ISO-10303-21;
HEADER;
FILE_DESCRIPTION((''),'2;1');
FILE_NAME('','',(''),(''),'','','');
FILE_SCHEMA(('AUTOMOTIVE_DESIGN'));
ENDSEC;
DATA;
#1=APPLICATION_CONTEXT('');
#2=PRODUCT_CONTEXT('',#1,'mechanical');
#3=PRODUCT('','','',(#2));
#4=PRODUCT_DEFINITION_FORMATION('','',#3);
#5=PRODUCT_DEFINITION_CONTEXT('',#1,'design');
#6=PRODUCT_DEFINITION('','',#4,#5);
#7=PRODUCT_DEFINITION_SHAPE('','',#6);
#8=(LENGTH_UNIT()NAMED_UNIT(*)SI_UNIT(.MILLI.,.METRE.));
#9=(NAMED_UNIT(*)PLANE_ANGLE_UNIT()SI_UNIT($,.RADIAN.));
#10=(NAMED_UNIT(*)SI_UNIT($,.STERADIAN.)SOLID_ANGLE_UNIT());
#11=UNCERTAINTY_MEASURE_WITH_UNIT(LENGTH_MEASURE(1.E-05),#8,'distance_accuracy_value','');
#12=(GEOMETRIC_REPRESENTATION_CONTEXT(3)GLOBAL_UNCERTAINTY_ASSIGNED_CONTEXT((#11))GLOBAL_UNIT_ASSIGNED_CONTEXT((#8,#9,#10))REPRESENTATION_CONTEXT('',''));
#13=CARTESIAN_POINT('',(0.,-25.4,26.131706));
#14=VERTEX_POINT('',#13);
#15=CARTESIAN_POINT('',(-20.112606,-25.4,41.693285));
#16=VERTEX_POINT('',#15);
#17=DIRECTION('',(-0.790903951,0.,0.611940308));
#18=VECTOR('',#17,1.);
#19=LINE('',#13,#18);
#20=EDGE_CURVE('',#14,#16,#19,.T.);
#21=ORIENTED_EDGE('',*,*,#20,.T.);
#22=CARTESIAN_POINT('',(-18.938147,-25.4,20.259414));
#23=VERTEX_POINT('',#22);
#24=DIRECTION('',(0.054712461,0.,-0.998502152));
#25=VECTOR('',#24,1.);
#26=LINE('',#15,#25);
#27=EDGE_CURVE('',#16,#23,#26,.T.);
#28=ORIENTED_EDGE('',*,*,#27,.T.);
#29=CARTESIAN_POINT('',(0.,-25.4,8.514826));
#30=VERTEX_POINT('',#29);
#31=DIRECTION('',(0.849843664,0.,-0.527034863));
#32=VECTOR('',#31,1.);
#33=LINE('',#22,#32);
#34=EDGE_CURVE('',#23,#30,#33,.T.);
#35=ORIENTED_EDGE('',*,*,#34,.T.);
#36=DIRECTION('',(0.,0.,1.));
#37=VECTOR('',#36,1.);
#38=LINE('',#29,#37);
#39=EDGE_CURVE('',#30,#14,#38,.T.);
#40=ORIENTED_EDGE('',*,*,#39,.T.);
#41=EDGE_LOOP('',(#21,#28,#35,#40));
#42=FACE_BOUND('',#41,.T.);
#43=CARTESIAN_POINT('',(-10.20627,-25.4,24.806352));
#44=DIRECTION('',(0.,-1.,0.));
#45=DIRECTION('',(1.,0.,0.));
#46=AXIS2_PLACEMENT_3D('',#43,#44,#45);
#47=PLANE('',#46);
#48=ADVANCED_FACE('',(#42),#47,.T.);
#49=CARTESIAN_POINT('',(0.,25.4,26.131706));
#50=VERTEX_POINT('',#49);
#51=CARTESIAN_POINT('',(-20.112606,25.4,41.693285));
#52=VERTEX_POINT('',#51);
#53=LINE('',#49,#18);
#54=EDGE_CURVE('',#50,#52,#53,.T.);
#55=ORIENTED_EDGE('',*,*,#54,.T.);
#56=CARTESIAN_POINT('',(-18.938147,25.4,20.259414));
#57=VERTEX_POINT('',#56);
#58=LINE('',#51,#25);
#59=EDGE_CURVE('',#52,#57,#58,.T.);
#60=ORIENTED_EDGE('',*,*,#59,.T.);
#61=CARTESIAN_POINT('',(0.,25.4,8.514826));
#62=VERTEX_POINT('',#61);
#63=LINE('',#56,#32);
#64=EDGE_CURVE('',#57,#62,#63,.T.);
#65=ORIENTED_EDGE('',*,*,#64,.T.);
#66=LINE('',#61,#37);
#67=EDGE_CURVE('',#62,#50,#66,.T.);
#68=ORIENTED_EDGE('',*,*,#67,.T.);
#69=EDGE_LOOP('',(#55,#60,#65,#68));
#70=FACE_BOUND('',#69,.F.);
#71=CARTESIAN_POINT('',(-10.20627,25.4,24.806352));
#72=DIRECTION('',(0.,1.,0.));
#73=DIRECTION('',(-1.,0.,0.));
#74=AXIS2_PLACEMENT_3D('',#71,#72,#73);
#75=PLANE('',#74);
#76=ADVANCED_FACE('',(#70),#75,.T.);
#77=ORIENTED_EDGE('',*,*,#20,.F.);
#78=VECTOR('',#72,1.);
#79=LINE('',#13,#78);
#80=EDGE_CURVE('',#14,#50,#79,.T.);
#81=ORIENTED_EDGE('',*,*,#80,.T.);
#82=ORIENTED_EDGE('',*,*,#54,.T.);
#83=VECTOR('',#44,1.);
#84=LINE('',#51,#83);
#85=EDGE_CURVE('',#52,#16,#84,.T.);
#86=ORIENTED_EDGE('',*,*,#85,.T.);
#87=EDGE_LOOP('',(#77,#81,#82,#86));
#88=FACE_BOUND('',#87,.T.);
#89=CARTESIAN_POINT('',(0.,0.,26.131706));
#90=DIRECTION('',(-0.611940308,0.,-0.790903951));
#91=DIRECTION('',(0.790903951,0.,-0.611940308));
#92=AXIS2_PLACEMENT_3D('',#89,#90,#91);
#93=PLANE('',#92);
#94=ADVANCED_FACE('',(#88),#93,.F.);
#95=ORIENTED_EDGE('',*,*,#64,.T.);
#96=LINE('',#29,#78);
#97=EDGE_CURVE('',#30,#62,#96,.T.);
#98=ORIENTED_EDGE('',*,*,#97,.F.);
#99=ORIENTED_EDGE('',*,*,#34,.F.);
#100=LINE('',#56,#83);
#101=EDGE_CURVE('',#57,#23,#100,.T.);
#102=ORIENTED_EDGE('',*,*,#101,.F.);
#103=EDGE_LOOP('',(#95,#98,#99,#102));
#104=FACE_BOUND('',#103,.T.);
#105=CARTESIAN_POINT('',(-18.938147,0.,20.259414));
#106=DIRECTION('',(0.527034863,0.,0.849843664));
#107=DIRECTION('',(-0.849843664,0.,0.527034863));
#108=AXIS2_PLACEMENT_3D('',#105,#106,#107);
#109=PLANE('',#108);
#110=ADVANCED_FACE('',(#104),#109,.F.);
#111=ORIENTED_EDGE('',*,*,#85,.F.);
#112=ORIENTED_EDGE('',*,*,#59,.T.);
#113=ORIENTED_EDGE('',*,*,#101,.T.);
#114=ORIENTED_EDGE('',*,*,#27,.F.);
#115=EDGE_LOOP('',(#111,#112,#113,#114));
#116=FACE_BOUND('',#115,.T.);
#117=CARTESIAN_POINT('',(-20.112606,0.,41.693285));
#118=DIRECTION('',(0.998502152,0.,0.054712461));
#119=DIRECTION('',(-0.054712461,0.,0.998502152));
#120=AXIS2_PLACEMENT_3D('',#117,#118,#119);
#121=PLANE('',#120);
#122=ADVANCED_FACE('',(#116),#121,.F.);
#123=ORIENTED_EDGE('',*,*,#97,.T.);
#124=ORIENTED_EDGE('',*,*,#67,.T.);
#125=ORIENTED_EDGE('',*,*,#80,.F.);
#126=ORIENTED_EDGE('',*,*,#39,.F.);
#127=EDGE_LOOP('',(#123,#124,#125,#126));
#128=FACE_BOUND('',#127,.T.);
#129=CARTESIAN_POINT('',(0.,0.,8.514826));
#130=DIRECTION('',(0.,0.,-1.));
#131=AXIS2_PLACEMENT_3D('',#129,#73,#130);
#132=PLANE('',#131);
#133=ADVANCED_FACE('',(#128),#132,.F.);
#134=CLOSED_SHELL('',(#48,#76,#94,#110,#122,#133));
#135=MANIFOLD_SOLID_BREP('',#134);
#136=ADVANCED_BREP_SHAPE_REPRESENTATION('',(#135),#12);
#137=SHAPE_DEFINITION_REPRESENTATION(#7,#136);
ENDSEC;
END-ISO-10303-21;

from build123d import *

# Parameters (mm, degrees)
F1_DEPTH = 25.4


with BuildPart() as f1:
    # F0 (on Front) → F1 (new body)
    with BuildSketch(Plane.XZ):
        Polygon((0, 26.131706), (-20.112606, 41.693285), (-18.938147, 20.259414), (0, 8.514826), align=None)
    extrude(amount=F1_DEPTH)

    # F2: F1 across plane


with BuildPart() as f1_1:
    add(f1.part)
    add(f1.part.mirror(Plane.XZ))


solid = f1_1.part
